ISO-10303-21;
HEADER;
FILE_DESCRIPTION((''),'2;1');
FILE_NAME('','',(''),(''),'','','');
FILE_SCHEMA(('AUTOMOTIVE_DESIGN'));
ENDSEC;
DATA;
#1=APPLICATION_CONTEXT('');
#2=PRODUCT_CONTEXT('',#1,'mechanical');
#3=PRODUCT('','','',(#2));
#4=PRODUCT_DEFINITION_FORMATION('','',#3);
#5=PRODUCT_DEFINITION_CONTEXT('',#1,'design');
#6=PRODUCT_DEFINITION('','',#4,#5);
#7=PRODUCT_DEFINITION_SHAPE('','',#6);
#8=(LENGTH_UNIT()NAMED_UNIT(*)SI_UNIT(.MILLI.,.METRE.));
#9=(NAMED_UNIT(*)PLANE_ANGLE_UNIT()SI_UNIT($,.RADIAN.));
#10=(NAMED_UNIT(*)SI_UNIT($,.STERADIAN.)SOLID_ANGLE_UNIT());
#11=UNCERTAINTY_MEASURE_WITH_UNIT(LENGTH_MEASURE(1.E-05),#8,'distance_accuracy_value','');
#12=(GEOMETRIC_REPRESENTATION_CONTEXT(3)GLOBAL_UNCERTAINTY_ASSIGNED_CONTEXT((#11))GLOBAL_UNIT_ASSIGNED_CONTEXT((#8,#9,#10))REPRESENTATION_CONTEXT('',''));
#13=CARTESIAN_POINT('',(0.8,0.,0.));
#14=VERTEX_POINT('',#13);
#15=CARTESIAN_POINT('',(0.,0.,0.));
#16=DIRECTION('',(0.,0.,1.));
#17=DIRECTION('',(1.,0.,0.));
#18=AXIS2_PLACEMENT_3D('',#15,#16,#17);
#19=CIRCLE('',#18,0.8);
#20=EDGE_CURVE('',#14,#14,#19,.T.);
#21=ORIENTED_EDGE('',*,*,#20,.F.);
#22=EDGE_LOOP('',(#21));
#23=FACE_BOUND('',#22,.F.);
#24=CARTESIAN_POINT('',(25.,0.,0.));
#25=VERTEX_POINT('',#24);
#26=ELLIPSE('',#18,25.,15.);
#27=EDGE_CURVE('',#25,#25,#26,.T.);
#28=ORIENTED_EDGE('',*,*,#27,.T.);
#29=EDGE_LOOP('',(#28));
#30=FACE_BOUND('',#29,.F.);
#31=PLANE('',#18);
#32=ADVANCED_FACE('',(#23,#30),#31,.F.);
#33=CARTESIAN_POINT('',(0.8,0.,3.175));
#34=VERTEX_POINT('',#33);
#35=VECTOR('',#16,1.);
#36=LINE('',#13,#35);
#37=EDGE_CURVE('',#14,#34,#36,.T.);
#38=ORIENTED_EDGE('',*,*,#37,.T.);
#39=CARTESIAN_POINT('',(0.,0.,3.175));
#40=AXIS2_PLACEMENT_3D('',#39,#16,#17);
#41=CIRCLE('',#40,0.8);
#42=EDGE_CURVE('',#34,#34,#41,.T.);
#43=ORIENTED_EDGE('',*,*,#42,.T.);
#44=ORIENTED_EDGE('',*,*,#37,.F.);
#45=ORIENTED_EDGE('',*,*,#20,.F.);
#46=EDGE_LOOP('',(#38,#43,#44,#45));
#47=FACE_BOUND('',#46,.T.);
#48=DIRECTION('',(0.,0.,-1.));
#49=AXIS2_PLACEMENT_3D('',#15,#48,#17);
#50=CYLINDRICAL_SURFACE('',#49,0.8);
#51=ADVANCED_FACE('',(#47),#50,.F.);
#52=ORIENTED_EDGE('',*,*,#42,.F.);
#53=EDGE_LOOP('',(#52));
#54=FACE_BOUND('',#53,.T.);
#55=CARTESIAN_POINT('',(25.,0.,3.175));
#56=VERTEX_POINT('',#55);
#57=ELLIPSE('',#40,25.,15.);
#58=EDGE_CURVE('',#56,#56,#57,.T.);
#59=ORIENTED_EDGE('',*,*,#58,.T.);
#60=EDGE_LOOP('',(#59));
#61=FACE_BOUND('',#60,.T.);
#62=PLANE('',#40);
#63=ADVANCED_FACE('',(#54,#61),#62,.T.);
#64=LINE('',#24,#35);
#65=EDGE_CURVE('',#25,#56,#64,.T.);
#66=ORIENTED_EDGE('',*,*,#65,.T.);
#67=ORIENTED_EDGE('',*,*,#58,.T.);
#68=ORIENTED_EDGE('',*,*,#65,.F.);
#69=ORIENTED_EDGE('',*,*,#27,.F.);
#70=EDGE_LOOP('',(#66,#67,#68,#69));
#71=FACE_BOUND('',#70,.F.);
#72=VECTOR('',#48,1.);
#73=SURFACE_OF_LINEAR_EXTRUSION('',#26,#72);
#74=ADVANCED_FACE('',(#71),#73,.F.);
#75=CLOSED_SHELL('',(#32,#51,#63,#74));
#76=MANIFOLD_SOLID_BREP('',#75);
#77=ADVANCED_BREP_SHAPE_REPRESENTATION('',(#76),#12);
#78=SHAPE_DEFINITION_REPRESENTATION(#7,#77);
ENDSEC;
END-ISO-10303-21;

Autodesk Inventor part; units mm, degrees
ref_plane "YZ Plane" through (0, 0, 0) normal (1, 0, 0) x (0, 1, 0)
ref_plane "XZ Plane" through (0, 0, 0) normal (0, 1, 0) x (-1, 0, 0)
ref_plane "XY Plane" through (0, 0, 0) normal (0, 0, 1) x (1, 0, 0)
sketch "Sketch1" plane through (0, 0, 0) normal (0, 0, 1) x (1, 0, 0)
  ellipse E0 centre (0, 0) end of major axis (25, 0) minor radius 15
  circle A0 centre (0, 0) radius 0.8
  dimension "d0" = 15
  dimension "d1" = 25
  dimension "d2" = 1.6
extrude "Extrusion1" add sketch "Sketch1" along normal blind 3.175
properties part number "arms back"
